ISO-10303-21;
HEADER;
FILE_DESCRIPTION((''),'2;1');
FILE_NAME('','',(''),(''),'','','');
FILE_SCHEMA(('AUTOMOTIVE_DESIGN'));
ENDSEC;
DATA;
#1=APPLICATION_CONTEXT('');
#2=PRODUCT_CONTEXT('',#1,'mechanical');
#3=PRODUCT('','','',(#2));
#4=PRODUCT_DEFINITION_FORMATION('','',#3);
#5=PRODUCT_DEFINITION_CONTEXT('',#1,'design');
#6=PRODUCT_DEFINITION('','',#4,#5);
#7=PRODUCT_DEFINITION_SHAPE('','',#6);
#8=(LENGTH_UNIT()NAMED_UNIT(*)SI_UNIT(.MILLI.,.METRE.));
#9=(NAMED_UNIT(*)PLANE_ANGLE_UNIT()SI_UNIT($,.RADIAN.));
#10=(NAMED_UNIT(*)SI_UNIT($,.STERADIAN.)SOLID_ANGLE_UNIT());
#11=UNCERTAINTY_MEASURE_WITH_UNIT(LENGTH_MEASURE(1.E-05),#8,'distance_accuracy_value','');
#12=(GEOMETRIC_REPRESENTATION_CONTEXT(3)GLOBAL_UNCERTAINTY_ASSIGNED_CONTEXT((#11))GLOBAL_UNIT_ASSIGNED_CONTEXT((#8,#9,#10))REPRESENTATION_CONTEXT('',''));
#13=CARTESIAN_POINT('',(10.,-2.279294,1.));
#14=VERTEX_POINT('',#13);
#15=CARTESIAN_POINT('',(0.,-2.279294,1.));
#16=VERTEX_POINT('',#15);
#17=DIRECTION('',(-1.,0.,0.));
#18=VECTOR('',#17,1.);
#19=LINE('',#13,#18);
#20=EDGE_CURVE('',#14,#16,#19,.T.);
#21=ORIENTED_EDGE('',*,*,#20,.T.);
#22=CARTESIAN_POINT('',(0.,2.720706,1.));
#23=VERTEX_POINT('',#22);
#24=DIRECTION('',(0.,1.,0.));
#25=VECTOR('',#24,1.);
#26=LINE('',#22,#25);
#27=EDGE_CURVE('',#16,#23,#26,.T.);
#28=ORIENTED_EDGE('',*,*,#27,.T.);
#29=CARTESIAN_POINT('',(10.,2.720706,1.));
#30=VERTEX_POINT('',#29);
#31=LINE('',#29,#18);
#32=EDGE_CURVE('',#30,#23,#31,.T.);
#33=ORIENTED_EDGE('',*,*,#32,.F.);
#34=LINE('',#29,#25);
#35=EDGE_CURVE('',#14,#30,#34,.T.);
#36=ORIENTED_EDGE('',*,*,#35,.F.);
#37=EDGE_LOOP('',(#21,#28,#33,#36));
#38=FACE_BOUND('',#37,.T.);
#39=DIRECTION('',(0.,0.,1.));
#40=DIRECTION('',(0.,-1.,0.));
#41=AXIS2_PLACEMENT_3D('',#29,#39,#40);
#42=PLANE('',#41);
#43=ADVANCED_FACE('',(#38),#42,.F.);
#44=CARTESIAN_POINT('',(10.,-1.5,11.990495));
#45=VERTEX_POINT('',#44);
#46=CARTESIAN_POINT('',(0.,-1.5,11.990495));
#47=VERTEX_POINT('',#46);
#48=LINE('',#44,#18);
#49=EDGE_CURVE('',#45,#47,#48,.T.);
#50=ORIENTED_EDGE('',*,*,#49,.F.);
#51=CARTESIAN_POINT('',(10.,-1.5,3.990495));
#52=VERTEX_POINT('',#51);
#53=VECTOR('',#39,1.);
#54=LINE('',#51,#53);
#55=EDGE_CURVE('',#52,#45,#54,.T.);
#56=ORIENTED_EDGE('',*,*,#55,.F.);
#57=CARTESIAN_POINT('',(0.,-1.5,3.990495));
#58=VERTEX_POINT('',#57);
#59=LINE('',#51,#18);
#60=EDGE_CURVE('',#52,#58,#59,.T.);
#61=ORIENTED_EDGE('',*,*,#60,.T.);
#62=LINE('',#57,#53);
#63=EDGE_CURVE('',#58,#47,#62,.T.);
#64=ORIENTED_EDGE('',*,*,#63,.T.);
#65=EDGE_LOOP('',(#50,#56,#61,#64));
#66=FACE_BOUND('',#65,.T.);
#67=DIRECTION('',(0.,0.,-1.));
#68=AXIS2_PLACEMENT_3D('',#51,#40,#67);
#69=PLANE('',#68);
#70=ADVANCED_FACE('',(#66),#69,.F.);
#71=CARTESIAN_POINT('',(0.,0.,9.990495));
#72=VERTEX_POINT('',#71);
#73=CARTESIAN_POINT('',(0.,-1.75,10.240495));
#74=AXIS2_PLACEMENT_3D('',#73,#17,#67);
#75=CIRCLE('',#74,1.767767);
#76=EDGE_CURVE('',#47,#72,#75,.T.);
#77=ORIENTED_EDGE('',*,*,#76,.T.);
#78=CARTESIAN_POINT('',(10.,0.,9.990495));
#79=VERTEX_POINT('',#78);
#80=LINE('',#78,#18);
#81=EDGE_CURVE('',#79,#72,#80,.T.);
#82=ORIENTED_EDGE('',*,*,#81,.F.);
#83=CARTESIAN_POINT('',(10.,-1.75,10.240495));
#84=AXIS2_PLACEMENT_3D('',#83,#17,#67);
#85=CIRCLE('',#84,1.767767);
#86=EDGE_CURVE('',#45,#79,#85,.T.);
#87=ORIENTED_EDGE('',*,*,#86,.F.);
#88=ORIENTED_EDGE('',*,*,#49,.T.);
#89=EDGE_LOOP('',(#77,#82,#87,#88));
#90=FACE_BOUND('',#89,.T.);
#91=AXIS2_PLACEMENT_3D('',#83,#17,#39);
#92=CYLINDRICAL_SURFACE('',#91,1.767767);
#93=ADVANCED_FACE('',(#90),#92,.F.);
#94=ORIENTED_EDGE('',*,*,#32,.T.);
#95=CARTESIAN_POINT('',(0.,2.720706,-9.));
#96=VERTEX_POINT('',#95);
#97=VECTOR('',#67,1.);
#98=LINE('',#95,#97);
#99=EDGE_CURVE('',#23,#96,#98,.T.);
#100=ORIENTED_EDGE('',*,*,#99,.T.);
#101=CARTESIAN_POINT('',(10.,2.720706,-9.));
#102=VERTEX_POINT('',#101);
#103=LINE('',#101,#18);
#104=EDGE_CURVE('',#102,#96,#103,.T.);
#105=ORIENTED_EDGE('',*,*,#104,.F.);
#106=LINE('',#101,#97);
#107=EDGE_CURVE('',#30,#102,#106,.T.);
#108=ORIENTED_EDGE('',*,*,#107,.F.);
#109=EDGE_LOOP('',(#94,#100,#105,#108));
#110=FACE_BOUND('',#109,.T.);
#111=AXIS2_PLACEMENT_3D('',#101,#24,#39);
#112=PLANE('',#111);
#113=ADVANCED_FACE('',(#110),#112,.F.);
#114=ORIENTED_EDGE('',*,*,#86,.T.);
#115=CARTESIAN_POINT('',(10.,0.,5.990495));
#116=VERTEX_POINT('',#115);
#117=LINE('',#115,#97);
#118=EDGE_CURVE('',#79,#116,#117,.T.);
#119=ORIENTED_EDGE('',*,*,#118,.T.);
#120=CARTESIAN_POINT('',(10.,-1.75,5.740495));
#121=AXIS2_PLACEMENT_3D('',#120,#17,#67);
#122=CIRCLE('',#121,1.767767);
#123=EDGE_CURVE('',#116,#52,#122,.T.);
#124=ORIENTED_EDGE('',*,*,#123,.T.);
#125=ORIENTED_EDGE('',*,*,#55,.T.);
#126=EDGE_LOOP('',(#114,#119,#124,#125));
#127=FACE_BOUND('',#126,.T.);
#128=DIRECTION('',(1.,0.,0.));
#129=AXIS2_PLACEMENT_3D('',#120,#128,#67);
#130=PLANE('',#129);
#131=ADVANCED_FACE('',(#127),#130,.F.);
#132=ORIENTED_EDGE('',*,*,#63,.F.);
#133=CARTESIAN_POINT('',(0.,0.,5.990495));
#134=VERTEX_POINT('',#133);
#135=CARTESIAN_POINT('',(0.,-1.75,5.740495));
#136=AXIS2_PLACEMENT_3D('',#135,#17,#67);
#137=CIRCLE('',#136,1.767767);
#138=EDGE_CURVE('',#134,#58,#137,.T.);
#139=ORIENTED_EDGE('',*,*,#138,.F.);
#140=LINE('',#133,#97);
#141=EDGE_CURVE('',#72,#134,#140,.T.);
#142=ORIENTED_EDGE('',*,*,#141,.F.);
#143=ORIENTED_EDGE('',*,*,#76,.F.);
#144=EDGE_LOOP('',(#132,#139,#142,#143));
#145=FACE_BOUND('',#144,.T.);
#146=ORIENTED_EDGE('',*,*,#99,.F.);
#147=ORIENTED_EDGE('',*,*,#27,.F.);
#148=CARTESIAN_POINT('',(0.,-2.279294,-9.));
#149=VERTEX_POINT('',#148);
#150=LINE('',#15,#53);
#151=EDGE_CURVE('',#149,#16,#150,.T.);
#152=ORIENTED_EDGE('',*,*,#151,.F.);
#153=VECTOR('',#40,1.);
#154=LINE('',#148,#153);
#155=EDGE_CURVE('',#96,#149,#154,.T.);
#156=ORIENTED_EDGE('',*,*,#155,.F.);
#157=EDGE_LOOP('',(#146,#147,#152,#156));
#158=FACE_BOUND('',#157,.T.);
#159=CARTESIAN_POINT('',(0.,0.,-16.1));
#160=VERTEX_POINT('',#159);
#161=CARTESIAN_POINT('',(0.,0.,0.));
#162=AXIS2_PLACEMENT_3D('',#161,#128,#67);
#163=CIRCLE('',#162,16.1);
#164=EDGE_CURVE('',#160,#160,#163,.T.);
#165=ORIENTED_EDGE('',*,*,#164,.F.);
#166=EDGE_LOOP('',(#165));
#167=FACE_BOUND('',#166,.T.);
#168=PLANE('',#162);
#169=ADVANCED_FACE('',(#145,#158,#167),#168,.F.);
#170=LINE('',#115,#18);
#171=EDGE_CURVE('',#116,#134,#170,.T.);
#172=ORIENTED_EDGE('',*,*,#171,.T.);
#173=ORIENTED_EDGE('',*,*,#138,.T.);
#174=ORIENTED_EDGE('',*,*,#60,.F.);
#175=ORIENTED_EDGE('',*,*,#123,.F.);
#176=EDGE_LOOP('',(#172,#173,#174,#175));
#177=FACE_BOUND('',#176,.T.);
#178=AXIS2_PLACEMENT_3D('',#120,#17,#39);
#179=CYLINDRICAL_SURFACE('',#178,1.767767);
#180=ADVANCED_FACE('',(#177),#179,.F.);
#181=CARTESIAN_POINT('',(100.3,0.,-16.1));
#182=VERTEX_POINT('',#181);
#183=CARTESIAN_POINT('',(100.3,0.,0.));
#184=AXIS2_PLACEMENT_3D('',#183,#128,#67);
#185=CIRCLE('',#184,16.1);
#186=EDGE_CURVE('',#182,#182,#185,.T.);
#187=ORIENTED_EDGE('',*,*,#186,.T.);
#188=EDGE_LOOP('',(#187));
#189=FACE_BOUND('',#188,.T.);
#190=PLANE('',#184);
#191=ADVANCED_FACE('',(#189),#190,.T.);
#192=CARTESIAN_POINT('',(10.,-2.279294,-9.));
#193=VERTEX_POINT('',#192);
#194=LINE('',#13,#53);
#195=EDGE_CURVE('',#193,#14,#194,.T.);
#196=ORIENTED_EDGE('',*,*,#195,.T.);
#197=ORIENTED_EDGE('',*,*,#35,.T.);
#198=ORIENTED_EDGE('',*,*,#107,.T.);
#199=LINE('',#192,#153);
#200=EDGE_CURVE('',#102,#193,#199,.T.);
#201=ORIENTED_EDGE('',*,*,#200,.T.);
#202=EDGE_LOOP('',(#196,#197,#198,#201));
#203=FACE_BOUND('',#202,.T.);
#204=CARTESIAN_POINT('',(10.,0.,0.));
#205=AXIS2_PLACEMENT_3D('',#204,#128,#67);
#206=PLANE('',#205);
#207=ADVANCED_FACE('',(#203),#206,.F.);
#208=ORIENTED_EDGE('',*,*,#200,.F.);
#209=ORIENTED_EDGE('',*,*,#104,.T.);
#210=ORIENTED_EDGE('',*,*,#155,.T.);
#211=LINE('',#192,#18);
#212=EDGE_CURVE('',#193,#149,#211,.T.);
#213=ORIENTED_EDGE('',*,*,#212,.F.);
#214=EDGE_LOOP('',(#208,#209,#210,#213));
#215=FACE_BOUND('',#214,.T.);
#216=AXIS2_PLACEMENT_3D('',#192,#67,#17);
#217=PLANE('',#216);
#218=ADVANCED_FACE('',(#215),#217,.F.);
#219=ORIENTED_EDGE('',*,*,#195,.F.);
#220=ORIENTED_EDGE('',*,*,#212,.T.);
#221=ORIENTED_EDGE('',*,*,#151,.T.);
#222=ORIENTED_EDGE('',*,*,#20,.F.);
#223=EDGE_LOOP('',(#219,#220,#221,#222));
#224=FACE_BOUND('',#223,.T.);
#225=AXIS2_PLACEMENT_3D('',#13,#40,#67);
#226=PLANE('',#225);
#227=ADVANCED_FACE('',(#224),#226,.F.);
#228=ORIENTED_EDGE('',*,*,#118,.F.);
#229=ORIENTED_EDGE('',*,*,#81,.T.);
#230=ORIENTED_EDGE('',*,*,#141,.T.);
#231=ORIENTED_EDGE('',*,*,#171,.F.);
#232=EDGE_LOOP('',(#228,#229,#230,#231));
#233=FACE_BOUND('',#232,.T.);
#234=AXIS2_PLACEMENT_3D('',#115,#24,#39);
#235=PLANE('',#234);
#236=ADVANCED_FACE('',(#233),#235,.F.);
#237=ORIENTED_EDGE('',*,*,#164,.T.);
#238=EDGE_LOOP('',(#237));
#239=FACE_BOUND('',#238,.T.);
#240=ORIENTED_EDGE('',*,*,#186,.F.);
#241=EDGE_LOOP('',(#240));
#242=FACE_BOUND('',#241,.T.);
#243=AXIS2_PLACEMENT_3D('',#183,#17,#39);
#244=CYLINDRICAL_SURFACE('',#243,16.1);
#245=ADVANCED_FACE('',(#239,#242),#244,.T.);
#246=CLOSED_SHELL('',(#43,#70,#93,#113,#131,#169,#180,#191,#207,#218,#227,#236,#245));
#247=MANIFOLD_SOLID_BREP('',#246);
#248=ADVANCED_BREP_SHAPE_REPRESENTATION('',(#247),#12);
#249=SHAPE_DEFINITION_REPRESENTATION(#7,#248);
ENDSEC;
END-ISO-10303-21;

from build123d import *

# Parameters (mm, degrees)
ESQUISSE1_R             = 16.1
BOSS_EXTRU_1_DEPTH      = 100.3
ESQUISSE2_W             = 10
ESQUISSE2_H             = 5
ENL_V_MAT_EXTRU_1_DEPTH = 10
ENL_V_MAT_EXTRU_2_DEPTH = 10


with BuildPart() as part:
    # Esquisse1 → Boss.-Extru.1 (new body)
    with BuildSketch(Plane(origin=(0, 0, 0), x_dir=(0, 0, -1), z_dir=(1, 0, 0))):
        Circle(ESQUISSE1_R)
    extrude(amount=BOSS_EXTRU_1_DEPTH)

    # Esquisse2 → Enlèv. mat.-Extru.1 (cut)
    with BuildSketch(Plane.ZY):
        with Locations((-4, 0.220705936)):
            Rectangle(ESQUISSE2_W, ESQUISSE2_H)
    extrude(amount=-ENL_V_MAT_EXTRU_1_DEPTH, mode=Mode.SUBTRACT)

    # Esquisse3 → Enlèv. mat.-Extru.2 (cut)
    with BuildSketch(Plane.ZY):
        with BuildLine():
            Line((3.990495341, -1.5), (11.990495341, -1.5))
            ThreePointArc((11.990495341, -1.5), (11.301155513, -0.335786438), (9.990495341, 0))
            Line((9.990495341, 0), (5.990495341, 0))
            ThreePointArc((5.990495341, 0), (4.679835169, -0.335786438), (3.990495341, -1.5))
        make_face()
    extrude(amount=-ENL_V_MAT_EXTRU_2_DEPTH, mode=Mode.SUBTRACT)


solid = part.part
